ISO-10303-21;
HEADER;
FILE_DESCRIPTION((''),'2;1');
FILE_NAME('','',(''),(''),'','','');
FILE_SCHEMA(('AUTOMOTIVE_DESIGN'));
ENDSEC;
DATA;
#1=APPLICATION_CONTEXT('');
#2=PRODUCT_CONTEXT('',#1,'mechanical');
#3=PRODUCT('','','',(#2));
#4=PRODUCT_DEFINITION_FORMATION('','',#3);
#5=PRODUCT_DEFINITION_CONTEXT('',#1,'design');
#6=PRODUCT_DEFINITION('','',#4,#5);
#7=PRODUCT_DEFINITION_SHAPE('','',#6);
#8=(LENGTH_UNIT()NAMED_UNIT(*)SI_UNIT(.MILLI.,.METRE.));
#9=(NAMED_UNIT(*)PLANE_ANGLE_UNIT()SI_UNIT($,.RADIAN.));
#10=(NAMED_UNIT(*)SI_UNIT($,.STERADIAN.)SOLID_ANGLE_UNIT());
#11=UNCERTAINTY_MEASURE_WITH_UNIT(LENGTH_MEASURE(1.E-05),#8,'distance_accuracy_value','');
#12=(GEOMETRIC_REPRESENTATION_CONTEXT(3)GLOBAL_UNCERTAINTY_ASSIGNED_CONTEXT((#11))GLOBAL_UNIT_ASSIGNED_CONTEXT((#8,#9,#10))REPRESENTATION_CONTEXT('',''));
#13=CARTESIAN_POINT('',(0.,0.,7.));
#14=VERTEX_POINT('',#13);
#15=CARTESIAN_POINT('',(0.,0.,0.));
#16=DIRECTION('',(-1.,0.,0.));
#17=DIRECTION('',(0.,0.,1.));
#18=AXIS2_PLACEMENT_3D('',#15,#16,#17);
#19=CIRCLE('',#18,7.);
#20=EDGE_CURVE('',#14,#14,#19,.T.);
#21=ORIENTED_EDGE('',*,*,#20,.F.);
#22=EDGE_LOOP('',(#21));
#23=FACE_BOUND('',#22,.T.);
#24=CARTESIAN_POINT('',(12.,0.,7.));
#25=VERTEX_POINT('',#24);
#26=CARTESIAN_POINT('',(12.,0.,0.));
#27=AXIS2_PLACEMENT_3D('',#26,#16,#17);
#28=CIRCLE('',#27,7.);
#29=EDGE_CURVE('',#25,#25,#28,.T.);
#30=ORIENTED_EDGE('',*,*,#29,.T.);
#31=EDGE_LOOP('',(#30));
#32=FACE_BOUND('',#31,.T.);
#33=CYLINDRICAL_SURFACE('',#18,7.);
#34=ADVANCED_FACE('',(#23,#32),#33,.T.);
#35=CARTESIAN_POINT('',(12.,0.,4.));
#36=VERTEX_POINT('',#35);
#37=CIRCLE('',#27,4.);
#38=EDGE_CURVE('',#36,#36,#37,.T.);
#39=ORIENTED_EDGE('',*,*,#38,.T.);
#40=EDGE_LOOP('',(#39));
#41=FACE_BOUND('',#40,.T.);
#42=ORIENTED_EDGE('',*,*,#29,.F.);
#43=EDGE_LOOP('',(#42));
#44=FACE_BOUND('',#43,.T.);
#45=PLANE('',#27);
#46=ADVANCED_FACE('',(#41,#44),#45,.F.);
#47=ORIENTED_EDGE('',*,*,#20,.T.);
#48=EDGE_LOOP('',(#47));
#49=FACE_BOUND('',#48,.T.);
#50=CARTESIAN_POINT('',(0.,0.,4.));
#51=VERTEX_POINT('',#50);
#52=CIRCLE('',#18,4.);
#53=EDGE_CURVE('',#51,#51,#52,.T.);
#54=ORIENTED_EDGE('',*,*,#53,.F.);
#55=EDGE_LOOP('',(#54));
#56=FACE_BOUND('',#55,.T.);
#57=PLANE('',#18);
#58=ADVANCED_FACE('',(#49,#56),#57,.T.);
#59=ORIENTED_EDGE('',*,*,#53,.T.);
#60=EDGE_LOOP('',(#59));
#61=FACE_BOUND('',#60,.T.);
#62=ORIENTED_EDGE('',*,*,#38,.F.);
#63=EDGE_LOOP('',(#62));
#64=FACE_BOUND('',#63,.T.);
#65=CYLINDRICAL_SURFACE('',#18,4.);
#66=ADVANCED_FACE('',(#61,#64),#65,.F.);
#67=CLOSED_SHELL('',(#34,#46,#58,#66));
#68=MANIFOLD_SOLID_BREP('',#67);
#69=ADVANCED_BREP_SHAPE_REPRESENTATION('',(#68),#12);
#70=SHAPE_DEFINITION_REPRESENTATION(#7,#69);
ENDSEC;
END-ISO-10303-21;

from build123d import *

# Parameters (mm, degrees)
SKETCH2_W = 12
SKETCH2_H = 3


with BuildPart() as part:
    # Sketch2 → Revolve2 (revolve)
    with BuildSketch(Plane.XY, mode=Mode.PRIVATE) as revolve2_sk:
        with Locations((6, 5.5)):
            Rectangle(SKETCH2_W, SKETCH2_H)
    revolve(revolve2_sk.sketch.rotate(Axis((0, 0, 0), (1, 0, 0)), 90), axis=Axis((0, 0, 0), (1, 0, 0)))


solid = part.part
